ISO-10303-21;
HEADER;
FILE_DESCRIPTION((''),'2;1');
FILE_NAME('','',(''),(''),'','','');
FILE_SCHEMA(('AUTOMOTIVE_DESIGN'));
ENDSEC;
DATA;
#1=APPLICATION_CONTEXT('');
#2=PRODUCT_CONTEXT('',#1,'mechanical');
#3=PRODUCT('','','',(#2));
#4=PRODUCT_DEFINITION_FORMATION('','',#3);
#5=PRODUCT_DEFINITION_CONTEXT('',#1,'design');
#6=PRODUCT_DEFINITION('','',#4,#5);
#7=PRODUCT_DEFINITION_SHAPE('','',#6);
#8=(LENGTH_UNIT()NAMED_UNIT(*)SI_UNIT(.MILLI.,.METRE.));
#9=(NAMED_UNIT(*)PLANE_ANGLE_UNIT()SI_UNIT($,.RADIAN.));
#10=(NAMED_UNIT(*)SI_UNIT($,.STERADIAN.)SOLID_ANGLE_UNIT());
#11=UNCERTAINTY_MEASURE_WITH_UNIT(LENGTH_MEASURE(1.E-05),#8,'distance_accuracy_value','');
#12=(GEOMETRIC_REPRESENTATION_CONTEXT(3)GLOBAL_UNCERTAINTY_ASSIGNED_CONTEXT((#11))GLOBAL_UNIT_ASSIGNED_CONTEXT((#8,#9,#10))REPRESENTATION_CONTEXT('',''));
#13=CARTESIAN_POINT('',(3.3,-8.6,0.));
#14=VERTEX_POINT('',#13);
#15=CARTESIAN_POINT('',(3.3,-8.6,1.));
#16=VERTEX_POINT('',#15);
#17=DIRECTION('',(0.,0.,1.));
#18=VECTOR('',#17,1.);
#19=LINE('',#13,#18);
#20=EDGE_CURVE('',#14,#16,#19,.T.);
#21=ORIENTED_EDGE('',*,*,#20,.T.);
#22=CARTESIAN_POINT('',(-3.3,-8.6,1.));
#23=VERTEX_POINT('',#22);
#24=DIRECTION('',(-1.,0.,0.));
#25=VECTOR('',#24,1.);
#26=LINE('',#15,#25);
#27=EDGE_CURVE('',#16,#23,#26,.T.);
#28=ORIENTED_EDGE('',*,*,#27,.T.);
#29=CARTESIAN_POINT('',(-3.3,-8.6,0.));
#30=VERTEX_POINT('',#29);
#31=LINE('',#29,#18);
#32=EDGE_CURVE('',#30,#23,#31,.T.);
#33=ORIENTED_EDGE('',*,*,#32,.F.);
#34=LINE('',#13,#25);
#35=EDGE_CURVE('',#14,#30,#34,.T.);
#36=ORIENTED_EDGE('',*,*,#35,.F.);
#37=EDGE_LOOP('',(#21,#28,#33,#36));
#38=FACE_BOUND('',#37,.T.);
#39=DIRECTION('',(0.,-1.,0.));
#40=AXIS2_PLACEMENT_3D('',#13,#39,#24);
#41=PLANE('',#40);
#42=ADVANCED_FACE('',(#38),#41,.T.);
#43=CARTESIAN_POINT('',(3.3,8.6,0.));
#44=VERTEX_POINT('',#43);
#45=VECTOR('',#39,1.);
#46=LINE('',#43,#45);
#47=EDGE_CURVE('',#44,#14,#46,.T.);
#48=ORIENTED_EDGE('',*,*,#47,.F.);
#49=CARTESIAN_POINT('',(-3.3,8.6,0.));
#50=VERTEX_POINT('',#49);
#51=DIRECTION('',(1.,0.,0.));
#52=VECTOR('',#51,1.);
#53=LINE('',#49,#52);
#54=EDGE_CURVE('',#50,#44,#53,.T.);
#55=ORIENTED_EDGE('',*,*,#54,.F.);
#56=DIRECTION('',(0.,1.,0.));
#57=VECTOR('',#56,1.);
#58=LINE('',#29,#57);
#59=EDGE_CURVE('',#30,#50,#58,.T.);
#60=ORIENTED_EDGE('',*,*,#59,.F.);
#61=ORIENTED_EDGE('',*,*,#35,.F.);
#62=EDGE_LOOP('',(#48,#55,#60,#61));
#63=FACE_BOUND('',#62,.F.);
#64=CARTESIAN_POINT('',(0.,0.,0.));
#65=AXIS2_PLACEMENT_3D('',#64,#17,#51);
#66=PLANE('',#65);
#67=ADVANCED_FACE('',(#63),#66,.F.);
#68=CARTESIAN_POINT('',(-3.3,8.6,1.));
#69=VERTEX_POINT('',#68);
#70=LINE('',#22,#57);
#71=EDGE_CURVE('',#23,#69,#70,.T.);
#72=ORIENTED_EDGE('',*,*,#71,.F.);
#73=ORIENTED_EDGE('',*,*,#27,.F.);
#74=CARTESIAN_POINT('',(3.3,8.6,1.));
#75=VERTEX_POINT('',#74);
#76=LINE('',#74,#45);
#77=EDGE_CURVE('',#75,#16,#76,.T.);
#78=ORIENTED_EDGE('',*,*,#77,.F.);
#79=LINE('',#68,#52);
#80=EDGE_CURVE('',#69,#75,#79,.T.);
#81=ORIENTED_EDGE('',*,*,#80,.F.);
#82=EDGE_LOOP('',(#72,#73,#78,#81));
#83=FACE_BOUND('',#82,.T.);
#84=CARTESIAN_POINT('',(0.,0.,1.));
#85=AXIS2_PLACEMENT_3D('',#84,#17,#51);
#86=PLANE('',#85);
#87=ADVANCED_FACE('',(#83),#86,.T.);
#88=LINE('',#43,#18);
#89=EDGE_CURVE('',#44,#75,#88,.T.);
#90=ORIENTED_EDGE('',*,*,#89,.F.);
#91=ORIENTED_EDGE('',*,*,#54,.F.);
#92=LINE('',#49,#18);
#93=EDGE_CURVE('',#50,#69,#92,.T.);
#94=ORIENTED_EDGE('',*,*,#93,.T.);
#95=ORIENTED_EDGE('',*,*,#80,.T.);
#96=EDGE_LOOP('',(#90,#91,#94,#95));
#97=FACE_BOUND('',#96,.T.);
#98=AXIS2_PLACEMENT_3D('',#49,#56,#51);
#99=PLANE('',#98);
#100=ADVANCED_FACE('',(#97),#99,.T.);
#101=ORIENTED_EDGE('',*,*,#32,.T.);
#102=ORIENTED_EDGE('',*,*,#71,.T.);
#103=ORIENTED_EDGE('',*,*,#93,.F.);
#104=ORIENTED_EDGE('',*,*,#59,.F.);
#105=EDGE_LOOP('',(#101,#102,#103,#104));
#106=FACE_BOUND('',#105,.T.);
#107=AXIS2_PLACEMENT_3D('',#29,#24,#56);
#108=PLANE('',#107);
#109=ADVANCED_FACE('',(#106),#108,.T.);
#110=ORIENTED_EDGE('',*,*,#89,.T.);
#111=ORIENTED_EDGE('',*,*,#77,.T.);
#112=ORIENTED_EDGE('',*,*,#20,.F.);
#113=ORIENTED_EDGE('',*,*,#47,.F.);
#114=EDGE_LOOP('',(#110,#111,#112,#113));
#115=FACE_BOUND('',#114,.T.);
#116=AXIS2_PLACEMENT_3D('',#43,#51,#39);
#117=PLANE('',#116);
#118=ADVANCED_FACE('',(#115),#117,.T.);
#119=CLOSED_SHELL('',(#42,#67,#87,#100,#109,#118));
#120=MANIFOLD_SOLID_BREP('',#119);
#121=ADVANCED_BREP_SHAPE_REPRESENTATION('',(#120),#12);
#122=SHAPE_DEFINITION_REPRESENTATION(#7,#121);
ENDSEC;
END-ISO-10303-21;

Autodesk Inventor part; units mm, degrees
ref_plane "YZ Plane" through (0, 0, 0) normal (1, 0, 0) x (0, 1, 0)
ref_plane "XZ Plane" through (0, 0, 0) normal (0, 1, 0) x (-1, 0, 0)
ref_plane "XY Plane" through (0, 0, 0) normal (0, 0, 1) x (1, 0, 0)
sketch "HEADER2MM, 14_WAY_HEADER_148" plane through (0, 0, 0) normal (0, 0, 1) x (1, 0, 0)
  line L0 (-3.3, -8.6) -> (-3.3, 8.6)
  line L1 (-3.3, 8.6) -> (3.3, 8.6)
  line L2 (3.3, 8.6) -> (3.3, -8.6)
  line L3 (3.3, -8.6) -> (-3.3, -8.6)
extrude "Extrusion1" add sketch "HEADER2MM, 14_WAY_HEADER_148" along normal blind 1
properties part number "14_WAY_HEADER"
